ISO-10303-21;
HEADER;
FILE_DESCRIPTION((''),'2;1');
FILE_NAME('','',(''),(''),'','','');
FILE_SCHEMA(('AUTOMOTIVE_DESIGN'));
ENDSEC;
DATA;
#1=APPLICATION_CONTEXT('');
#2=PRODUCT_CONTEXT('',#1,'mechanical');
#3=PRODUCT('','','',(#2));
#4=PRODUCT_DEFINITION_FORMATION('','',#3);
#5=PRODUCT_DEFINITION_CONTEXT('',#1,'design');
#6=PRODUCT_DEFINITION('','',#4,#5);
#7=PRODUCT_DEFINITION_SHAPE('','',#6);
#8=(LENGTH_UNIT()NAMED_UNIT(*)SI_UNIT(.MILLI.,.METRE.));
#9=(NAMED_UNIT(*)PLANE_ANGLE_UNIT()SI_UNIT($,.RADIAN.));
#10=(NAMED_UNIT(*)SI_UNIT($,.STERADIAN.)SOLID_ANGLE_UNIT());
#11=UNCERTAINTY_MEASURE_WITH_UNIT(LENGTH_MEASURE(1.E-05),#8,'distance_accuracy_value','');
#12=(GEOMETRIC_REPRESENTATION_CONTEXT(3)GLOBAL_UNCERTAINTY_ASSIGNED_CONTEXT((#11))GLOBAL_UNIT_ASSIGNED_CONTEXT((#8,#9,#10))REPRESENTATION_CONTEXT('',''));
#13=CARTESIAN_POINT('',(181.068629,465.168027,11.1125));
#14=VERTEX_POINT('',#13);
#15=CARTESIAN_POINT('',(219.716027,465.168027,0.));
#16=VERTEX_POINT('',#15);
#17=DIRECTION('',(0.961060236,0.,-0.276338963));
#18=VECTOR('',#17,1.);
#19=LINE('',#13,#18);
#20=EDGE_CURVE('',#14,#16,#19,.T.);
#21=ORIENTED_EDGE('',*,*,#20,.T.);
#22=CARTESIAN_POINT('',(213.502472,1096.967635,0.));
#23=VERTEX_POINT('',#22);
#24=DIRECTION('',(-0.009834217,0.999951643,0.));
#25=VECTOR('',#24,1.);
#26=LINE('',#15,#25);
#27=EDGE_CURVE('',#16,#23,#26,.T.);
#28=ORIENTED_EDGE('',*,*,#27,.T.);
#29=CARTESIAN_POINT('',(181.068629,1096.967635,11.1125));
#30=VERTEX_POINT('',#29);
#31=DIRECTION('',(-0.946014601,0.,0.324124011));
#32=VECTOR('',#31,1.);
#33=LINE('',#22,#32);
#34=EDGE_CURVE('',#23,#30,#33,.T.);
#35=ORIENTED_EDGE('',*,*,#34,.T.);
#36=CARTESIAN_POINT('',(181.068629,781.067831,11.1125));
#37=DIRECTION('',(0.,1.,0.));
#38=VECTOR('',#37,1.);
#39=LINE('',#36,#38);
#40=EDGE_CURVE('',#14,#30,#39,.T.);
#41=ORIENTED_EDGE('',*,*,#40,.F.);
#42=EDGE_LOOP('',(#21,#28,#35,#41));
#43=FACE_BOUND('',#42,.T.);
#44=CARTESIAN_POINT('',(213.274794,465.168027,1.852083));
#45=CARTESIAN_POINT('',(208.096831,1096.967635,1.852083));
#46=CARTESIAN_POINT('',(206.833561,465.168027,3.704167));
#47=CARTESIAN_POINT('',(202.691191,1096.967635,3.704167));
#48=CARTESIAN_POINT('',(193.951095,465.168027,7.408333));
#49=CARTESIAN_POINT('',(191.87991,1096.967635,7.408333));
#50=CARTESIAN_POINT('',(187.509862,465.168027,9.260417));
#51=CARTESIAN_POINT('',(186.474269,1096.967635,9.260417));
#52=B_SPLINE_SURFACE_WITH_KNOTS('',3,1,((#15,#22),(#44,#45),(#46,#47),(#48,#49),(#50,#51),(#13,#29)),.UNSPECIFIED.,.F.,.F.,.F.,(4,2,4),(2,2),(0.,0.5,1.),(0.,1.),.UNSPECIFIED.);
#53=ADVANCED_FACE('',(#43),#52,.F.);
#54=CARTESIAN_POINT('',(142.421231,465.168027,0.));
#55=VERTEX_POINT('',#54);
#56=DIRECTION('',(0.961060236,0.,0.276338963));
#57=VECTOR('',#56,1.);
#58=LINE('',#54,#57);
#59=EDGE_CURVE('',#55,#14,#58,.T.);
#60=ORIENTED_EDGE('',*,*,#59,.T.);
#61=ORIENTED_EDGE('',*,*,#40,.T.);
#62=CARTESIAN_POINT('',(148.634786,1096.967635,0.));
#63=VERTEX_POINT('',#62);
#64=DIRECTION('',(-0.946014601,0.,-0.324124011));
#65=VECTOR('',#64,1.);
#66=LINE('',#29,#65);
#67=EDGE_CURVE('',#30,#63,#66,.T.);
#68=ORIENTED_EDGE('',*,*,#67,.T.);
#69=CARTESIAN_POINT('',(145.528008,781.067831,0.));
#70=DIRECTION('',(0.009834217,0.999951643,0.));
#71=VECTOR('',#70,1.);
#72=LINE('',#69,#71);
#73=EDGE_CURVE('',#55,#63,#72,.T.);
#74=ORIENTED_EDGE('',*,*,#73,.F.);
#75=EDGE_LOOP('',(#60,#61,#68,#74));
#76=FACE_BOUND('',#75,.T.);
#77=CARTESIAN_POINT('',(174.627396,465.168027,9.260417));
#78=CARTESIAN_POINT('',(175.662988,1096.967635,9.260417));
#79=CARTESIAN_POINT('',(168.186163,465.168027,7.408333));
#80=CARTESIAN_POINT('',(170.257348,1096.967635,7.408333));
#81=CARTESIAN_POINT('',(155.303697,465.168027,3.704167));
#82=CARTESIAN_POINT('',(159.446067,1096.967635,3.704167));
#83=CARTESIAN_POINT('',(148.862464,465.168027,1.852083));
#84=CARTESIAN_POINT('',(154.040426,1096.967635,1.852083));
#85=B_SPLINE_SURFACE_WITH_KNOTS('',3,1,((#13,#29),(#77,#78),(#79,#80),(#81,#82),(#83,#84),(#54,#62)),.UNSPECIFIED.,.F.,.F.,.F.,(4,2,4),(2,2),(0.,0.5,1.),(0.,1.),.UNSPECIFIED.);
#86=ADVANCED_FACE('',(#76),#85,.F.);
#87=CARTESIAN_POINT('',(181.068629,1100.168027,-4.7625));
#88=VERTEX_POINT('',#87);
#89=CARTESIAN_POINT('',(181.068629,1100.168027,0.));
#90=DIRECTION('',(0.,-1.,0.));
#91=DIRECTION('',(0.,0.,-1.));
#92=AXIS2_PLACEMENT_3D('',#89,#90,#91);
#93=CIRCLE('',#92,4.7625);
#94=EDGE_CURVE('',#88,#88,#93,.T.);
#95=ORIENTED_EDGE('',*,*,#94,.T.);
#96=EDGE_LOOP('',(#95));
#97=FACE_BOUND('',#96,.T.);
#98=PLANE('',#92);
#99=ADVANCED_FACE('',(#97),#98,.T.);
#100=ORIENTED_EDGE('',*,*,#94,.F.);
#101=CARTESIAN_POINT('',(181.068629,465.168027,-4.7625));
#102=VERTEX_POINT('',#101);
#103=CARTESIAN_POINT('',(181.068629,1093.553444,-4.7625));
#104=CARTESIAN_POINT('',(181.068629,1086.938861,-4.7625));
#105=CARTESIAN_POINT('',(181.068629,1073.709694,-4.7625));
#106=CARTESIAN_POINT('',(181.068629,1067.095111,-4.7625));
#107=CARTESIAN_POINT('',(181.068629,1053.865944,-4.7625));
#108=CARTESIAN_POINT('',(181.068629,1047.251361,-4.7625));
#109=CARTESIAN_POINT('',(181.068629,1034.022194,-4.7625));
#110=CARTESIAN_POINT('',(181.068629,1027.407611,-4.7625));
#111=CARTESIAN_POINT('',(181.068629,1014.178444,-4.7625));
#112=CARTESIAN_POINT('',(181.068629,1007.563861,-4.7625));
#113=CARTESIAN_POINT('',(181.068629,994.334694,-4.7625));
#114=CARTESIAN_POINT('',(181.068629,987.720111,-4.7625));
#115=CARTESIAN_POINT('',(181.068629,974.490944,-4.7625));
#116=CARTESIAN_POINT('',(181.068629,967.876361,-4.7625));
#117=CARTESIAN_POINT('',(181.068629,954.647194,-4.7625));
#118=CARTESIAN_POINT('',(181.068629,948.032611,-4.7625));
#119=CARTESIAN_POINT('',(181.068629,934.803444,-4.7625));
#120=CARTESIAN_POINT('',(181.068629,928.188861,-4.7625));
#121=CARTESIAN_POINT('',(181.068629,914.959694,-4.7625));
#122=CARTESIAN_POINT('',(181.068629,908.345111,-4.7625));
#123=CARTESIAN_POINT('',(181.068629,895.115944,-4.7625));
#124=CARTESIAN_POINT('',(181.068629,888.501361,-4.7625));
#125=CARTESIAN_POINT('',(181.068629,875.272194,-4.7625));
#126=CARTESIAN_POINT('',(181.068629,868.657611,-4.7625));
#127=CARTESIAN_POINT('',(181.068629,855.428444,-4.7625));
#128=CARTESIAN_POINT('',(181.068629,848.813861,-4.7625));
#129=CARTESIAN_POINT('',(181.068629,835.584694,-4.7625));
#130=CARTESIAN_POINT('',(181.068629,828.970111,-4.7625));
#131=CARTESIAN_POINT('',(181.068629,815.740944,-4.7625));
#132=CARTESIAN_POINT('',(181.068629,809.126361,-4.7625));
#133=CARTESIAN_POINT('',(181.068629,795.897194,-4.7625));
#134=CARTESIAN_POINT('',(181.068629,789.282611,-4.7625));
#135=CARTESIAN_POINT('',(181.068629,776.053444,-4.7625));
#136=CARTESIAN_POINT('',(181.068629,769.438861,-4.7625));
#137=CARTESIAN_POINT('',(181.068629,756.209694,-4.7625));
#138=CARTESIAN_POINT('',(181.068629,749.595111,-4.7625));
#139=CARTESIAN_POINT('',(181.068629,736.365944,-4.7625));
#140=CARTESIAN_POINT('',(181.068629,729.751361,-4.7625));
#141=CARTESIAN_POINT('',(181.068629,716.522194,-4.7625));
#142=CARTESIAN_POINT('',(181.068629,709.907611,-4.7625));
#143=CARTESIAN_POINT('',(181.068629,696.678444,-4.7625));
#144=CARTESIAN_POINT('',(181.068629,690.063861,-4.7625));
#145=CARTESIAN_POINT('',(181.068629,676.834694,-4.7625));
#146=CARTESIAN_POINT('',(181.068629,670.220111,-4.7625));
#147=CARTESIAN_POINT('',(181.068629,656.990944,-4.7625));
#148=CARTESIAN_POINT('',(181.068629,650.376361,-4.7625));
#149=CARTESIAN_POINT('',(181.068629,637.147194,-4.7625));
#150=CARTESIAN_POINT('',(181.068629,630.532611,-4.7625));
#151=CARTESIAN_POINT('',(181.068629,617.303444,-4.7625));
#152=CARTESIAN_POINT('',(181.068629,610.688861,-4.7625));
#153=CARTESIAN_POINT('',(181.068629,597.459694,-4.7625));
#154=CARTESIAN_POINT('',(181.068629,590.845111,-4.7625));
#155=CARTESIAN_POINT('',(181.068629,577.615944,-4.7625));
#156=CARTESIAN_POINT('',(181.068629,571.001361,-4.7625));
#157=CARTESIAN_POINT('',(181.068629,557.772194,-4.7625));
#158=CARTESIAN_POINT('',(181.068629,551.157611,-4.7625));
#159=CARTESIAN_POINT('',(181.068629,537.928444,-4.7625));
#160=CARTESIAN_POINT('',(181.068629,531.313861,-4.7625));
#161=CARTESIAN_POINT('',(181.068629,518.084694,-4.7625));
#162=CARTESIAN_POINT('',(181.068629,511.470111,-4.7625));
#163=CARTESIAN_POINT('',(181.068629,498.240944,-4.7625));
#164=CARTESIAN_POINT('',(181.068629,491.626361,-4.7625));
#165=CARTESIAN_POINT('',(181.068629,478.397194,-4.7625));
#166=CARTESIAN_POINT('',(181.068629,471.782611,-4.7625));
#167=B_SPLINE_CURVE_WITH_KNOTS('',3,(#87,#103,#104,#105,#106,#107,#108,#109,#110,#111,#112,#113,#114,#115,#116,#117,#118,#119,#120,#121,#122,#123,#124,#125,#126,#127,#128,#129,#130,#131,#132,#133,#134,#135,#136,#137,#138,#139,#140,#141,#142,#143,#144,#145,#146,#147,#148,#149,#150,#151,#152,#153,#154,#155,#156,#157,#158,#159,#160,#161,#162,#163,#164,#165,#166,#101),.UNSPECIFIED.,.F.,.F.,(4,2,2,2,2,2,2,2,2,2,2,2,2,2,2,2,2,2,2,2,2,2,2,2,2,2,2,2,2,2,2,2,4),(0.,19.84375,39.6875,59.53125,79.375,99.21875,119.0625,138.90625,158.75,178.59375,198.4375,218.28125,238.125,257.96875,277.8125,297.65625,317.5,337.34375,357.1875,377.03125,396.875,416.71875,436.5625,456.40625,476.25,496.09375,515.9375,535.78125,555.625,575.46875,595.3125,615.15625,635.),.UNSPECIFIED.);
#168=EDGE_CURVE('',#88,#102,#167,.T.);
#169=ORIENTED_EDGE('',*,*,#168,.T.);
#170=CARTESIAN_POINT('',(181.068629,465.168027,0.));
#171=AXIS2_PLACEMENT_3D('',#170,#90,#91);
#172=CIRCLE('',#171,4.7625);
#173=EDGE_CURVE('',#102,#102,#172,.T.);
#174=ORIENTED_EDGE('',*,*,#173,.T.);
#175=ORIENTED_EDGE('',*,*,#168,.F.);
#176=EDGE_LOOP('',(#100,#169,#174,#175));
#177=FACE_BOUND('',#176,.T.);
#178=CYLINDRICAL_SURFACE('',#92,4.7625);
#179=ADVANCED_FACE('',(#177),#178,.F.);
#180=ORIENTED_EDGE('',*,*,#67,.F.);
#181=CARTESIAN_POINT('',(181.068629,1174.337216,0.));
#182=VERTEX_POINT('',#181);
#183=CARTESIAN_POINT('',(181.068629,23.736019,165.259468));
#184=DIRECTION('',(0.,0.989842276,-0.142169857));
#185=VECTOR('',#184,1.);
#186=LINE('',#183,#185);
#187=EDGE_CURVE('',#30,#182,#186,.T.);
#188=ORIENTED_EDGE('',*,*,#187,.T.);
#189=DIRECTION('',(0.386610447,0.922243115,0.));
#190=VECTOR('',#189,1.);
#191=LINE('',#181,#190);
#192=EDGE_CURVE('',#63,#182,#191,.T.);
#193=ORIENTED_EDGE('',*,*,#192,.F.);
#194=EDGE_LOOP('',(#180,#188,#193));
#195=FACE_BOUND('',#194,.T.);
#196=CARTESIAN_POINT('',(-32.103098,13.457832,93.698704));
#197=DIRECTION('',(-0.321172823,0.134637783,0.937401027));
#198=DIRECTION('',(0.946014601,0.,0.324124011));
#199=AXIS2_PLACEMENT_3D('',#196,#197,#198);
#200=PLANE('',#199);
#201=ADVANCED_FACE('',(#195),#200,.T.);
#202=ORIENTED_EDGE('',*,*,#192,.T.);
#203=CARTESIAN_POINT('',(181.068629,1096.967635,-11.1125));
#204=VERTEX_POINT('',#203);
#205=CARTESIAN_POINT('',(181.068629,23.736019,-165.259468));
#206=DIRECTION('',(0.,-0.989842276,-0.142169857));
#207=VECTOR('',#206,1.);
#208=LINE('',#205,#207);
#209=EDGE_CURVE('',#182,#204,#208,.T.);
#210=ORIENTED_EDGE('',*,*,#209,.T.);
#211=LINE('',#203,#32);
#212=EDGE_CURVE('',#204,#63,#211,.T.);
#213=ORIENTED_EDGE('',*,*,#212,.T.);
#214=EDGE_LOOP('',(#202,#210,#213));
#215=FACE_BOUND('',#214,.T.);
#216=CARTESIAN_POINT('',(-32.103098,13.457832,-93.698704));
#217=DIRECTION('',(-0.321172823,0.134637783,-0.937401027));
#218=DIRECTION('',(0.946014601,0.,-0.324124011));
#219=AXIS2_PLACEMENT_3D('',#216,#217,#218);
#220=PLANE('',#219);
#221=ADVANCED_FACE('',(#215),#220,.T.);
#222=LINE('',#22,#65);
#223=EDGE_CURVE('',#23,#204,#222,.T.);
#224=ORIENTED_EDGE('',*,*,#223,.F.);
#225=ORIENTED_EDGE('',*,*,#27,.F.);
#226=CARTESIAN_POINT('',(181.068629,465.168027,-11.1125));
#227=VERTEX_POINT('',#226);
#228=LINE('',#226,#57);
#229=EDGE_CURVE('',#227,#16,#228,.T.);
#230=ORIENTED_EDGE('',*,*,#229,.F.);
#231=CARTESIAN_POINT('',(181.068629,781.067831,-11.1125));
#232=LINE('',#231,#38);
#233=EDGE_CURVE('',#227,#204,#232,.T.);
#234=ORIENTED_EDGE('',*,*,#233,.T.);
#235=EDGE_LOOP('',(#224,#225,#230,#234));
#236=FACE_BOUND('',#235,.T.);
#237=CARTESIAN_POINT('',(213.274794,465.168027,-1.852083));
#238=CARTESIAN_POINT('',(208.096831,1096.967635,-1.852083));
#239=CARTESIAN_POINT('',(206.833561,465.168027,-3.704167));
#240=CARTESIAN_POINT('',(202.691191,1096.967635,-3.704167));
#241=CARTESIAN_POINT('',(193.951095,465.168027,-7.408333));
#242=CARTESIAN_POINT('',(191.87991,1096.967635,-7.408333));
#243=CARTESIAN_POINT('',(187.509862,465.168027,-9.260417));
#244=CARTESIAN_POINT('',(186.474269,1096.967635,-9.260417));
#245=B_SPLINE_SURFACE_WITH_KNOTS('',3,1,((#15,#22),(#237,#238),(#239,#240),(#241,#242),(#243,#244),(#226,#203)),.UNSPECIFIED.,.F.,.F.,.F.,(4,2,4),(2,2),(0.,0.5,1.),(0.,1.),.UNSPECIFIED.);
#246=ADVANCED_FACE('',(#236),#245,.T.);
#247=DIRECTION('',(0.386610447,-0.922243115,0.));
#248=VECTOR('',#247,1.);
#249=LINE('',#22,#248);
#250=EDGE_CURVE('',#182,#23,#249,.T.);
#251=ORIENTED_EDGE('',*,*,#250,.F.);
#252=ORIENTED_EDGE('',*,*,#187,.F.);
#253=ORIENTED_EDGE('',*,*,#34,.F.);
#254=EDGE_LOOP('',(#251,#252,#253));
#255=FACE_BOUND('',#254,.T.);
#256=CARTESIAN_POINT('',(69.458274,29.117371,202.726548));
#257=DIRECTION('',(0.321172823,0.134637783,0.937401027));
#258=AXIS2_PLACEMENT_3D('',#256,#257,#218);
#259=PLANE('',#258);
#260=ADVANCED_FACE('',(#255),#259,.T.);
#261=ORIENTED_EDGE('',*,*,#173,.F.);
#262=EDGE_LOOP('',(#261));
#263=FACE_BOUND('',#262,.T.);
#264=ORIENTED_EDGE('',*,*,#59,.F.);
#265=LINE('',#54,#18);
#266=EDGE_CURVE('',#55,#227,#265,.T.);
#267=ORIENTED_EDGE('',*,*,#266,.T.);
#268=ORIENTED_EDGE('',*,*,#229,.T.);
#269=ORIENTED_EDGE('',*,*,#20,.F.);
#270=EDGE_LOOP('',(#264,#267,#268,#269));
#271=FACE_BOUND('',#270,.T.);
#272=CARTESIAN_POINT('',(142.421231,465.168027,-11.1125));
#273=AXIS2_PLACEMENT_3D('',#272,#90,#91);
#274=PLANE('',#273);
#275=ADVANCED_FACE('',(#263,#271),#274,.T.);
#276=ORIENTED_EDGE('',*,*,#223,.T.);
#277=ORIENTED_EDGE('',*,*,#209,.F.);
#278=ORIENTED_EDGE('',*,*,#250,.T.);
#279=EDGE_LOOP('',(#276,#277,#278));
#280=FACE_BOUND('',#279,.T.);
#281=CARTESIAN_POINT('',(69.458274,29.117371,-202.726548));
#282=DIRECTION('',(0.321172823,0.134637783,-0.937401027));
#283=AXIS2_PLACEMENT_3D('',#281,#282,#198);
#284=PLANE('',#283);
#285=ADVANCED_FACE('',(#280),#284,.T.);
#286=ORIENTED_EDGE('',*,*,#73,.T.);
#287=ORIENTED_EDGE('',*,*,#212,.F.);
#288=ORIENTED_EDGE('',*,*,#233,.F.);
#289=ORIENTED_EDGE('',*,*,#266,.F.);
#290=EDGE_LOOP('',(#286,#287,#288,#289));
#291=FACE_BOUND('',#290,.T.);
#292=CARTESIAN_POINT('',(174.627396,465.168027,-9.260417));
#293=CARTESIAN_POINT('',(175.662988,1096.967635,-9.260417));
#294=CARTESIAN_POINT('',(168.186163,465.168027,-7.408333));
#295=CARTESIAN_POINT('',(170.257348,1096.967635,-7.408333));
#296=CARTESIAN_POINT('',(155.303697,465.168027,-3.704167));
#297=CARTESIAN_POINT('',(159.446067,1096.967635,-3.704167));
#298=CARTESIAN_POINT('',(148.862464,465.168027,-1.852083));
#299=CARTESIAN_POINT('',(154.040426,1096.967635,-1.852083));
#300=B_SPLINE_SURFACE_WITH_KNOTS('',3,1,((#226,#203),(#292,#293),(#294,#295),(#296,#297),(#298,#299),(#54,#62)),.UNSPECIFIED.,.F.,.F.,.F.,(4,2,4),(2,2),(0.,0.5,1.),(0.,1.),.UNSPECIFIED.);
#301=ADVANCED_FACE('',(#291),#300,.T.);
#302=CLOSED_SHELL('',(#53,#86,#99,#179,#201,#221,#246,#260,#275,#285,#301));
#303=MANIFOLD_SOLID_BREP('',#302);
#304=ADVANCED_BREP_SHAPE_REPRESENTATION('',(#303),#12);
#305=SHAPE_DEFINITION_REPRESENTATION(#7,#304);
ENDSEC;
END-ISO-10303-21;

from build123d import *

# Parameters (mm, degrees)
BOSS_EXTRUDE1_DEPTH      = 11.1125
BOSS_EXTRUDE1_DEPTH_BACK = 11.1125
SKETCH5_W                = 109.877468776
SKETCH5_H                = 283.051122129
CUT_EXTRUDE2_DEPTH       = 1193.492852366
SKETCH6_W                = 149.121482991
SKETCH6_H                = 108.921761737
CUT_EXTRUDE3_DEPTH       = 1175.662940665
SKETCH7_R                = 4.7625
CUT_EXTRUDE4_DEPTH       = 635


with BuildPart() as part:
    # Sketch1 → Boss-Extrude1 (new, two sides: drawn at the far end of the back side and taken through both)
    with BuildSketch(Plane.XY.offset(-BOSS_EXTRUDE1_DEPTH_BACK)):
        Polygon((142.42123069, 465.168027231), (219.716026672, 465.168027231), (213.502471629, 1096.967634552), (181.068628681, 1174.337215652), (148.634785732, 1096.967634552), align=None)
    extrude(amount=BOSS_EXTRUDE1_DEPTH + BOSS_EXTRUDE1_DEPTH_BACK)

    # Sketch2 → Cut-Loft1 section 0
    with BuildSketch(Plane.XZ.offset(-465.168027231)):
        with BuildLine():
            Line((142.42123069, 0), (181.068628681, 11.1125))
            Line((181.068628681, 11.1125), (219.716026672, 0))
            Line((219.716026672, 0), (222.70513775, 0))
            Line((222.70513775, 0), (222.70513775, 15.258366339))
            Line((222.70513775, 15.258366339), (137.848628215, 15.258366339))
            Line((137.848628215, 15.258366339), (137.848628215, 0))
            Line((137.848628215, 0), (142.42123069, 0))
        make_face()
    # Sketch3 → Cut-Loft1 section 1
    with BuildSketch(Plane(origin=(0, 1096.967634552, 0), x_dir=(1, 0, 0), z_dir=(0, 1, 0))):
        with BuildLine():
            Line((213.502471629, 0), (181.068628681, -11.1125))
            Line((181.068628681, -11.1125), (148.634785732, 0))
            Line((148.634785732, 0), (137.848628215, 0))
            Line((137.848628215, 0), (137.848628215, -15.258366339))
            Line((137.848628215, -15.258366339), (222.70513775, -15.258366339))
            Line((222.70513775, -15.258366339), (222.70513775, 0))
            Line((222.70513775, 0), (213.502471629, 0))
        make_face()
    cut_loft1 = loft(mode=Mode.SUBTRACT)

    # Mirror1: Cut-Loft1 across plane
    add(cut_loft1.mirror(Plane.XY), mode=Mode.SUBTRACT)

    # Sketch5 → Cut-Extrude2 (cut, through all)
    with BuildSketch(Plane(origin=(-32.103098407, 13.457832356, 93.698704331), x_dir=(0.9470206004067627, 0.045661094409327196, 0.31791043842968925), z_dir=(-0.3211728232668741, 0.1346377834927197, 0.937401026696127))):
        with Locations((219.349244299, 1139.303724701)):
            Rectangle(SKETCH5_W, SKETCH5_H)
    cut_extrude2 = extrude(amount=CUT_EXTRUDE2_DEPTH, mode=Mode.SUBTRACT)

    # Sketch6 → Cut-Extrude3 (cut, through all)
    with BuildSketch(Plane(origin=(69.458274406, 29.117370568, 202.726547902), x_dir=(0.9470206004067623, -0.045661094409327495, -0.31791043842969063), z_dir=(0.3211728232668754, 0.13463778349272, 0.9374010266961263))):
        with Locations((131.752816965, 1118.922251835)):
            Rectangle(SKETCH6_W, SKETCH6_H)
    cut_extrude3 = extrude(amount=CUT_EXTRUDE3_DEPTH, mode=Mode.SUBTRACT)

    # Mirror2: Cut-Extrude2, Cut-Extrude3 across plane
    add(cut_extrude2.mirror(Plane.XY), mode=Mode.SUBTRACT)
    add(cut_extrude3.mirror(Plane.XY), mode=Mode.SUBTRACT)

    # Sketch7 → Cut-Extrude4 (cut)
    with BuildSketch(Plane.XZ.offset(-465.168027231)):
        with Locations(Location((181.068628681, 0, 0), (0, 0, 270))):
            Circle(SKETCH7_R)
    extrude(amount=-CUT_EXTRUDE4_DEPTH, mode=Mode.SUBTRACT)


solid = part.part
